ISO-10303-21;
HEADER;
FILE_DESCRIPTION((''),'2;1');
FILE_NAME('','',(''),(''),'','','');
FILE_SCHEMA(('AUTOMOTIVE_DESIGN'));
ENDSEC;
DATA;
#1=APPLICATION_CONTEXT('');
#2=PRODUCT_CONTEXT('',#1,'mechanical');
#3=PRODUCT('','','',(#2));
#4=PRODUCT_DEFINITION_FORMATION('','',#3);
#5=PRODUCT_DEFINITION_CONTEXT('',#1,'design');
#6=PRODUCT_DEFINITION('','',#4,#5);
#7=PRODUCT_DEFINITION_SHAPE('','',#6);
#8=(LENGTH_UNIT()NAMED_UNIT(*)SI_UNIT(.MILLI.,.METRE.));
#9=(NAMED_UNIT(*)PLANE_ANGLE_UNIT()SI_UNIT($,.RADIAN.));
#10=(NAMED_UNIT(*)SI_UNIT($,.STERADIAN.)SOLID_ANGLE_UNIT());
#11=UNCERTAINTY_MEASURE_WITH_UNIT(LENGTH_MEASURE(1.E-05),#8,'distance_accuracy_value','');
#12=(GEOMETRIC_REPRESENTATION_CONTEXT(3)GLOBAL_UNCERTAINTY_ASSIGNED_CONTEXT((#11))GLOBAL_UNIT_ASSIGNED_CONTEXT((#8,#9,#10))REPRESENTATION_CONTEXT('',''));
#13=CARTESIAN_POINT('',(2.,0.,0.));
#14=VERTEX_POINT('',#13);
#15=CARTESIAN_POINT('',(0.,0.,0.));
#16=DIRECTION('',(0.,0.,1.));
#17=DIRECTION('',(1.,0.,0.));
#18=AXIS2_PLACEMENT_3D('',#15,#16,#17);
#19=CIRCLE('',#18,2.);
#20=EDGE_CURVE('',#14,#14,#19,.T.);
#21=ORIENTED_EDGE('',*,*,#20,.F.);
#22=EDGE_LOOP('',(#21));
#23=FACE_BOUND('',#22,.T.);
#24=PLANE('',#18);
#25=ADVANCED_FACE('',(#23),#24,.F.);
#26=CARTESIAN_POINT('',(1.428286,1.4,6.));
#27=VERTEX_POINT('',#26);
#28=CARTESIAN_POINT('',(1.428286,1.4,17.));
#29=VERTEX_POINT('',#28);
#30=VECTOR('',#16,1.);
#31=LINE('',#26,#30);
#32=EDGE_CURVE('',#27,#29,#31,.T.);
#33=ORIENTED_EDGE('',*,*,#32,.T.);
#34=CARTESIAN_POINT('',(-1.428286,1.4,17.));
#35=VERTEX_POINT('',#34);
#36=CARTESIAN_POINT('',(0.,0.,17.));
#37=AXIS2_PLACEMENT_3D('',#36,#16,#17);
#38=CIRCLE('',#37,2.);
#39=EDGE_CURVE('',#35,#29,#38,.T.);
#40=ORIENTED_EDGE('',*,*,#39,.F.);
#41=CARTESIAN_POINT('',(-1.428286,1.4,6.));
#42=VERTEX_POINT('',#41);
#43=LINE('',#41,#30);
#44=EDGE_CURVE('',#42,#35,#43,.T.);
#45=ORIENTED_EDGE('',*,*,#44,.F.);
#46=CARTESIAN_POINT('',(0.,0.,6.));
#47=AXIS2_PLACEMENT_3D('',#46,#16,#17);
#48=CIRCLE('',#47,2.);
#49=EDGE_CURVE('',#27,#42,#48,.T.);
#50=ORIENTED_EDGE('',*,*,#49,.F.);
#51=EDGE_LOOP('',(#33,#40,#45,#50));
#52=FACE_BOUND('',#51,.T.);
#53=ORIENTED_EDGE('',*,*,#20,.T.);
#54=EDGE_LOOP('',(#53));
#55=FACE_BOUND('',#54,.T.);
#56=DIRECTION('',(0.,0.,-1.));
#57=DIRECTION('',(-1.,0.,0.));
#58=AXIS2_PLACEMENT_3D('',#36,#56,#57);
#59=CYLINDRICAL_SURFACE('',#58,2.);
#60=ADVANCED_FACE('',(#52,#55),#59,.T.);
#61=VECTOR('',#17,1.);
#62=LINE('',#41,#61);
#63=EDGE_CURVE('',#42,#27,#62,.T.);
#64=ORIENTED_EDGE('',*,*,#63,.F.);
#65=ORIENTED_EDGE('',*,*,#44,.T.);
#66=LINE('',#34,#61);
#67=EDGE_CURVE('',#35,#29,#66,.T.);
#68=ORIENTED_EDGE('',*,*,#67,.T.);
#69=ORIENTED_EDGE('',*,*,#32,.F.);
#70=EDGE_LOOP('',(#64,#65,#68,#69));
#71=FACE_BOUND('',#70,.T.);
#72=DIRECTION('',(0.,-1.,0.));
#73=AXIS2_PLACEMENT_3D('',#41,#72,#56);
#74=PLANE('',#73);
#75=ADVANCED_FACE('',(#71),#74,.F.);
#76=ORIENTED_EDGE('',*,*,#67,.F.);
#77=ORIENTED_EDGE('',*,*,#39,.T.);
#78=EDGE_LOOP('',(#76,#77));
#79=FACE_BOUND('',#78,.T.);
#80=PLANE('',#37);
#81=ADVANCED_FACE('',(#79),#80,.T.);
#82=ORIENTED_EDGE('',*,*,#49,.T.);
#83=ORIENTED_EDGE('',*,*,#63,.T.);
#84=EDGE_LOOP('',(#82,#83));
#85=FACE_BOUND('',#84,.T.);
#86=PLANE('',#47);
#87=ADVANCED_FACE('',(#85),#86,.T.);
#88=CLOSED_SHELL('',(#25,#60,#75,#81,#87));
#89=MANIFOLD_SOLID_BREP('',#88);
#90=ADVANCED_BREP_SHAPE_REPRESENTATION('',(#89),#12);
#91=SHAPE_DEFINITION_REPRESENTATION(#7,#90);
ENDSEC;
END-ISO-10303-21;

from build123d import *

# Parameters (mm, degrees)
CROQUIS1_R              = 2
SALIENTE_EXTRUIR1_DEPTH = 17
CORTAR_EXTRUIR1_START   = -11
CORTAR_EXTRUIR1_DEPTH   = 11


with BuildPart() as part:
    # Croquis1 → Saliente-Extruir1 (new body)
    with BuildSketch(Plane.XY):
        Circle(CROQUIS1_R)
    extrude(amount=SALIENTE_EXTRUIR1_DEPTH)

    # Croquis2 → Cortar-Extruir1 (cut)
    with BuildSketch(Plane.XY.offset(17).offset(CORTAR_EXTRUIR1_START)):
        with BuildLine():
            Line((-1.428285686, 1.4), (1.428285686, 1.4))
            ThreePointArc((1.428285686, 1.4), (0, 2), (-1.428285686, 1.4))
        make_face()
    extrude(amount=CORTAR_EXTRUIR1_DEPTH, mode=Mode.SUBTRACT)


solid = part.part
